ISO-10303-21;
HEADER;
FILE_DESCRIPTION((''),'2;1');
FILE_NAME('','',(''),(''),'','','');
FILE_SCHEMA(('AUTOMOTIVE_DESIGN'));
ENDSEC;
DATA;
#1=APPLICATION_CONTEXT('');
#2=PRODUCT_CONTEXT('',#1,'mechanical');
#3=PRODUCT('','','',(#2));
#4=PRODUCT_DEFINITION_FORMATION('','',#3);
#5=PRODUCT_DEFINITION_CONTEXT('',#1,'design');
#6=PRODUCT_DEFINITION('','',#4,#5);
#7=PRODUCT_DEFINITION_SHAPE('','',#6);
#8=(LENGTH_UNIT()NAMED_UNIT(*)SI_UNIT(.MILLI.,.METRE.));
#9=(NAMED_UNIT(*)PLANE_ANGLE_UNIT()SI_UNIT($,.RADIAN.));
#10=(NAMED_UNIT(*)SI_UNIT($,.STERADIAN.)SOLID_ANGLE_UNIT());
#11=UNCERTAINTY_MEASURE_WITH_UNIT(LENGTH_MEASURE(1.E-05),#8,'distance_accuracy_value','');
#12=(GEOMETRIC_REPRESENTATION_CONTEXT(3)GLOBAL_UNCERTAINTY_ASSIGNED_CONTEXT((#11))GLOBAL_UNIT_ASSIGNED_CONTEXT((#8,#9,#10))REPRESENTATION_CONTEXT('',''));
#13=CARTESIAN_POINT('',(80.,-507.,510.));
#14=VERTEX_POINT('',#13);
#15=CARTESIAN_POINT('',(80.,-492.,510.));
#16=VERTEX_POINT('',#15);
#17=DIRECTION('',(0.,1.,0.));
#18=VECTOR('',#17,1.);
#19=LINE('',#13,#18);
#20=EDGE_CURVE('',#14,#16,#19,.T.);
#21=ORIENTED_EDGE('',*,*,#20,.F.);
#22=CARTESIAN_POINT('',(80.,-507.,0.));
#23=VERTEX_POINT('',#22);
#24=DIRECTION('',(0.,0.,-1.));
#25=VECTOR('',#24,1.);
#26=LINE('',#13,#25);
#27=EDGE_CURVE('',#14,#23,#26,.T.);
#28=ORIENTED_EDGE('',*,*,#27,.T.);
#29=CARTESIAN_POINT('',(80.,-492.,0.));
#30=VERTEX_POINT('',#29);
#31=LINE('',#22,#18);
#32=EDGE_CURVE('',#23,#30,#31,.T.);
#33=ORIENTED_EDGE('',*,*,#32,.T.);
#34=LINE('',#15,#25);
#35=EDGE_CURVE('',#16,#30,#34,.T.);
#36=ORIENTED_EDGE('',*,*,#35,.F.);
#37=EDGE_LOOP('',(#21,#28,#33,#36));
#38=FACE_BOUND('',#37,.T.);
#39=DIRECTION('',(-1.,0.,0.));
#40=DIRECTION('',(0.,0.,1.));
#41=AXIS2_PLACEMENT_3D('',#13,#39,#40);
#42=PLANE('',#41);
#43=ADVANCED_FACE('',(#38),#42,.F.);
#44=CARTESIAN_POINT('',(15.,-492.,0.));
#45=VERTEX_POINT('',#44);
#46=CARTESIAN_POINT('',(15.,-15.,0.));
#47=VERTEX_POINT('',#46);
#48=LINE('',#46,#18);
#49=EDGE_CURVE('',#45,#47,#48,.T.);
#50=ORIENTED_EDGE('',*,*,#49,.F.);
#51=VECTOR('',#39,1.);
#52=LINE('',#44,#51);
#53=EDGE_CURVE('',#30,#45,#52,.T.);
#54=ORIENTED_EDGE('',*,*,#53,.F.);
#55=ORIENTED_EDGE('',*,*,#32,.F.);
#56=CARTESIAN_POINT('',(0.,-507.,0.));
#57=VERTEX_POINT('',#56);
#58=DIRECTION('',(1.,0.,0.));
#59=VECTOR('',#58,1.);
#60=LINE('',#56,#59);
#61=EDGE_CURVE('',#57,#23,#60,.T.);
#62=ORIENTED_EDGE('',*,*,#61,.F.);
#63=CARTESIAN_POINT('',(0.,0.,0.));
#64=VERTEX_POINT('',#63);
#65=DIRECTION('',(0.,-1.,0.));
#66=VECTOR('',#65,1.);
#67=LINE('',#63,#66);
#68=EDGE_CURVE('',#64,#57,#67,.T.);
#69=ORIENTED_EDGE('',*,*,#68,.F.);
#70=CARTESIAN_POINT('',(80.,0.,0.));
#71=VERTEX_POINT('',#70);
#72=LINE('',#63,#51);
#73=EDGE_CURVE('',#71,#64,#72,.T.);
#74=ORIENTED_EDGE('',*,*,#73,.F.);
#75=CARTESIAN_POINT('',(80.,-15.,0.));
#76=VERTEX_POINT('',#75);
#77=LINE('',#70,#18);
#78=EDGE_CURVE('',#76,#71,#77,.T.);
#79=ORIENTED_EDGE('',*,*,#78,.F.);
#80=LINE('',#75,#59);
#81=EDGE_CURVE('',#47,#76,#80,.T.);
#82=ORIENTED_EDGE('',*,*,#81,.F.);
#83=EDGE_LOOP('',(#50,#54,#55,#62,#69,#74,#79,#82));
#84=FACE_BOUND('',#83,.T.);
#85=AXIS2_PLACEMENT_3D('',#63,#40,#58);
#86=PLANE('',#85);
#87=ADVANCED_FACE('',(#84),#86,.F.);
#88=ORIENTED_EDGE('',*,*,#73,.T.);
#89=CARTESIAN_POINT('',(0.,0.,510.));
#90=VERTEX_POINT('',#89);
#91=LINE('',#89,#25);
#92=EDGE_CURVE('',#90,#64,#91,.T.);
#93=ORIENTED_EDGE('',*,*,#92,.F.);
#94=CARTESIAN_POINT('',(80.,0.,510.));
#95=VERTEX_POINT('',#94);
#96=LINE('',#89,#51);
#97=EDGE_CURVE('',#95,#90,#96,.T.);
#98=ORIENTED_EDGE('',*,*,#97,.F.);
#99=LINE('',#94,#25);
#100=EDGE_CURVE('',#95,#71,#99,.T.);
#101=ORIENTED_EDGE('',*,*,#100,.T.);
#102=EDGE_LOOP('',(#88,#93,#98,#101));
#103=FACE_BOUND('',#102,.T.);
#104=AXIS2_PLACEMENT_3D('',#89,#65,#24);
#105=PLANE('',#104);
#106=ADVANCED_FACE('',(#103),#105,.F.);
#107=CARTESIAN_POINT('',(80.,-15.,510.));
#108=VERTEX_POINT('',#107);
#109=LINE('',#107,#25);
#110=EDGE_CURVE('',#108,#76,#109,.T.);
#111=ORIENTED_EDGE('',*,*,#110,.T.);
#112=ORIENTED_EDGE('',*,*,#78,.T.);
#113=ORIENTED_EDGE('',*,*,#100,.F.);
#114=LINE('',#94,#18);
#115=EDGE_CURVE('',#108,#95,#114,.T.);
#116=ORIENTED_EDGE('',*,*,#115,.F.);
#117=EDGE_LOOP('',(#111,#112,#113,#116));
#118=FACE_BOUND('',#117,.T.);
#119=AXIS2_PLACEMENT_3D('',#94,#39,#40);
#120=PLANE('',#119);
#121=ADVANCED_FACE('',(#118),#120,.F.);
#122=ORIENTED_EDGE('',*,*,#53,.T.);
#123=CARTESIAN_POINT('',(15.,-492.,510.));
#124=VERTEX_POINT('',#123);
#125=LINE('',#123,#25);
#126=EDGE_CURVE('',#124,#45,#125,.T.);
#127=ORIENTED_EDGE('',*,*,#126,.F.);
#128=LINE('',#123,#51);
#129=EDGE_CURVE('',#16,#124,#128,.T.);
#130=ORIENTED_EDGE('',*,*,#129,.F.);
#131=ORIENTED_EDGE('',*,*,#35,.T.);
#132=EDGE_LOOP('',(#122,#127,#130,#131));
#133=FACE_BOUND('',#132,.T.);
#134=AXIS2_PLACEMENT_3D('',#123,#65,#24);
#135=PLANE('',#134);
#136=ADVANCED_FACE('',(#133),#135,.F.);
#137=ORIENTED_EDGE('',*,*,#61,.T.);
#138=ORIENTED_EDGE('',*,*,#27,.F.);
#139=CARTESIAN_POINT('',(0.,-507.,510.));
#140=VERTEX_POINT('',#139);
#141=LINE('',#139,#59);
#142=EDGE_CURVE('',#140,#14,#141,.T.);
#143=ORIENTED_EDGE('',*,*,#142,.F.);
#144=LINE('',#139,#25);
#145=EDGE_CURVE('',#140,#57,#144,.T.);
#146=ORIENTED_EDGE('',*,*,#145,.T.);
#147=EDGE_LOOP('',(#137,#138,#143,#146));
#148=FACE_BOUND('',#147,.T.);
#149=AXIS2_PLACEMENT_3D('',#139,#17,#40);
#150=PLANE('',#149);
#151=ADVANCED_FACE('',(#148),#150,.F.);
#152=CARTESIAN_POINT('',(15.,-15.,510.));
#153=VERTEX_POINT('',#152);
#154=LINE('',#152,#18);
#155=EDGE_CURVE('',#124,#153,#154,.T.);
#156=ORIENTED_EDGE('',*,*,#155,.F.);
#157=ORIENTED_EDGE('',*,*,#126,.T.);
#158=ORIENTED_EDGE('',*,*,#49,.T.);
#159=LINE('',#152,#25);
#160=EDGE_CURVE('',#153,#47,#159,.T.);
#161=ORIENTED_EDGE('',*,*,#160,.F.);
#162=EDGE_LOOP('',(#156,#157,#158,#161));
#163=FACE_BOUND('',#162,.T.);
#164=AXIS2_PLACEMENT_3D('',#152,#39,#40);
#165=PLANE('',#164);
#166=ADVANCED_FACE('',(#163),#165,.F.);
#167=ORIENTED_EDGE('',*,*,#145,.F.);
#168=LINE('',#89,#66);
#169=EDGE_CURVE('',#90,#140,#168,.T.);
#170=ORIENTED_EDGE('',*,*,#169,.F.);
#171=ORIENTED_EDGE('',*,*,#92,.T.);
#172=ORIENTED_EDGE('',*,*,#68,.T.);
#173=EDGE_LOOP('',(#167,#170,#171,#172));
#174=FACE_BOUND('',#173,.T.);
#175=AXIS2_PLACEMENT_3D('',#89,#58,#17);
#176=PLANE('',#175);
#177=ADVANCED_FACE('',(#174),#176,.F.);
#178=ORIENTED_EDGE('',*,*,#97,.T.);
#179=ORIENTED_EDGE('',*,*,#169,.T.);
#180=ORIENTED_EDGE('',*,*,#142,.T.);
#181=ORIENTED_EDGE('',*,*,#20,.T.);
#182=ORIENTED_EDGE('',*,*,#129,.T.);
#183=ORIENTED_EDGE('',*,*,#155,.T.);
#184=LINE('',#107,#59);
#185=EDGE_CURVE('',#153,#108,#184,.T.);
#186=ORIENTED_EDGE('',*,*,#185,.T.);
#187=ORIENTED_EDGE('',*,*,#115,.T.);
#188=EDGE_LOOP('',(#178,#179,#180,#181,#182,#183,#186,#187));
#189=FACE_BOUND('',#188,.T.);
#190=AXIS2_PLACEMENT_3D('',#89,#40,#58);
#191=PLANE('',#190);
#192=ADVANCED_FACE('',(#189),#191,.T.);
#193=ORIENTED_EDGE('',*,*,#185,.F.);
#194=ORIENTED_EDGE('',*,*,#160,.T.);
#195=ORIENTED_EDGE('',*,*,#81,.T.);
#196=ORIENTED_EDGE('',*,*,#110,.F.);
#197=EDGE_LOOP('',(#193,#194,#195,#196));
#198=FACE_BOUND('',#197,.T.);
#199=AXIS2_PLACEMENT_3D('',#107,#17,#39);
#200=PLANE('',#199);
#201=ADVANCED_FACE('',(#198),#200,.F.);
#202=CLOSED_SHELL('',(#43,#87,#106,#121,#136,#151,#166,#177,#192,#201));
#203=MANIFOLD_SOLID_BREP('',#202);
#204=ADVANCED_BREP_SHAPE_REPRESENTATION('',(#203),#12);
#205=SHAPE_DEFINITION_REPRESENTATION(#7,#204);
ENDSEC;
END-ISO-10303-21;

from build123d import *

# Parameters (mm, degrees)
BOSS_EXTRUDE1_DEPTH = 510


with BuildPart() as part:
    # Sketch1 → Boss-Extrude1 (new body)
    with BuildSketch(Plane.XY):
        Polygon((0, 0), (80, 0), (80, -15), (15, -15), (15, -492), (80, -492), (80, -507), (0, -507), align=None)
    extrude(amount=BOSS_EXTRUDE1_DEPTH)


solid = part.part
